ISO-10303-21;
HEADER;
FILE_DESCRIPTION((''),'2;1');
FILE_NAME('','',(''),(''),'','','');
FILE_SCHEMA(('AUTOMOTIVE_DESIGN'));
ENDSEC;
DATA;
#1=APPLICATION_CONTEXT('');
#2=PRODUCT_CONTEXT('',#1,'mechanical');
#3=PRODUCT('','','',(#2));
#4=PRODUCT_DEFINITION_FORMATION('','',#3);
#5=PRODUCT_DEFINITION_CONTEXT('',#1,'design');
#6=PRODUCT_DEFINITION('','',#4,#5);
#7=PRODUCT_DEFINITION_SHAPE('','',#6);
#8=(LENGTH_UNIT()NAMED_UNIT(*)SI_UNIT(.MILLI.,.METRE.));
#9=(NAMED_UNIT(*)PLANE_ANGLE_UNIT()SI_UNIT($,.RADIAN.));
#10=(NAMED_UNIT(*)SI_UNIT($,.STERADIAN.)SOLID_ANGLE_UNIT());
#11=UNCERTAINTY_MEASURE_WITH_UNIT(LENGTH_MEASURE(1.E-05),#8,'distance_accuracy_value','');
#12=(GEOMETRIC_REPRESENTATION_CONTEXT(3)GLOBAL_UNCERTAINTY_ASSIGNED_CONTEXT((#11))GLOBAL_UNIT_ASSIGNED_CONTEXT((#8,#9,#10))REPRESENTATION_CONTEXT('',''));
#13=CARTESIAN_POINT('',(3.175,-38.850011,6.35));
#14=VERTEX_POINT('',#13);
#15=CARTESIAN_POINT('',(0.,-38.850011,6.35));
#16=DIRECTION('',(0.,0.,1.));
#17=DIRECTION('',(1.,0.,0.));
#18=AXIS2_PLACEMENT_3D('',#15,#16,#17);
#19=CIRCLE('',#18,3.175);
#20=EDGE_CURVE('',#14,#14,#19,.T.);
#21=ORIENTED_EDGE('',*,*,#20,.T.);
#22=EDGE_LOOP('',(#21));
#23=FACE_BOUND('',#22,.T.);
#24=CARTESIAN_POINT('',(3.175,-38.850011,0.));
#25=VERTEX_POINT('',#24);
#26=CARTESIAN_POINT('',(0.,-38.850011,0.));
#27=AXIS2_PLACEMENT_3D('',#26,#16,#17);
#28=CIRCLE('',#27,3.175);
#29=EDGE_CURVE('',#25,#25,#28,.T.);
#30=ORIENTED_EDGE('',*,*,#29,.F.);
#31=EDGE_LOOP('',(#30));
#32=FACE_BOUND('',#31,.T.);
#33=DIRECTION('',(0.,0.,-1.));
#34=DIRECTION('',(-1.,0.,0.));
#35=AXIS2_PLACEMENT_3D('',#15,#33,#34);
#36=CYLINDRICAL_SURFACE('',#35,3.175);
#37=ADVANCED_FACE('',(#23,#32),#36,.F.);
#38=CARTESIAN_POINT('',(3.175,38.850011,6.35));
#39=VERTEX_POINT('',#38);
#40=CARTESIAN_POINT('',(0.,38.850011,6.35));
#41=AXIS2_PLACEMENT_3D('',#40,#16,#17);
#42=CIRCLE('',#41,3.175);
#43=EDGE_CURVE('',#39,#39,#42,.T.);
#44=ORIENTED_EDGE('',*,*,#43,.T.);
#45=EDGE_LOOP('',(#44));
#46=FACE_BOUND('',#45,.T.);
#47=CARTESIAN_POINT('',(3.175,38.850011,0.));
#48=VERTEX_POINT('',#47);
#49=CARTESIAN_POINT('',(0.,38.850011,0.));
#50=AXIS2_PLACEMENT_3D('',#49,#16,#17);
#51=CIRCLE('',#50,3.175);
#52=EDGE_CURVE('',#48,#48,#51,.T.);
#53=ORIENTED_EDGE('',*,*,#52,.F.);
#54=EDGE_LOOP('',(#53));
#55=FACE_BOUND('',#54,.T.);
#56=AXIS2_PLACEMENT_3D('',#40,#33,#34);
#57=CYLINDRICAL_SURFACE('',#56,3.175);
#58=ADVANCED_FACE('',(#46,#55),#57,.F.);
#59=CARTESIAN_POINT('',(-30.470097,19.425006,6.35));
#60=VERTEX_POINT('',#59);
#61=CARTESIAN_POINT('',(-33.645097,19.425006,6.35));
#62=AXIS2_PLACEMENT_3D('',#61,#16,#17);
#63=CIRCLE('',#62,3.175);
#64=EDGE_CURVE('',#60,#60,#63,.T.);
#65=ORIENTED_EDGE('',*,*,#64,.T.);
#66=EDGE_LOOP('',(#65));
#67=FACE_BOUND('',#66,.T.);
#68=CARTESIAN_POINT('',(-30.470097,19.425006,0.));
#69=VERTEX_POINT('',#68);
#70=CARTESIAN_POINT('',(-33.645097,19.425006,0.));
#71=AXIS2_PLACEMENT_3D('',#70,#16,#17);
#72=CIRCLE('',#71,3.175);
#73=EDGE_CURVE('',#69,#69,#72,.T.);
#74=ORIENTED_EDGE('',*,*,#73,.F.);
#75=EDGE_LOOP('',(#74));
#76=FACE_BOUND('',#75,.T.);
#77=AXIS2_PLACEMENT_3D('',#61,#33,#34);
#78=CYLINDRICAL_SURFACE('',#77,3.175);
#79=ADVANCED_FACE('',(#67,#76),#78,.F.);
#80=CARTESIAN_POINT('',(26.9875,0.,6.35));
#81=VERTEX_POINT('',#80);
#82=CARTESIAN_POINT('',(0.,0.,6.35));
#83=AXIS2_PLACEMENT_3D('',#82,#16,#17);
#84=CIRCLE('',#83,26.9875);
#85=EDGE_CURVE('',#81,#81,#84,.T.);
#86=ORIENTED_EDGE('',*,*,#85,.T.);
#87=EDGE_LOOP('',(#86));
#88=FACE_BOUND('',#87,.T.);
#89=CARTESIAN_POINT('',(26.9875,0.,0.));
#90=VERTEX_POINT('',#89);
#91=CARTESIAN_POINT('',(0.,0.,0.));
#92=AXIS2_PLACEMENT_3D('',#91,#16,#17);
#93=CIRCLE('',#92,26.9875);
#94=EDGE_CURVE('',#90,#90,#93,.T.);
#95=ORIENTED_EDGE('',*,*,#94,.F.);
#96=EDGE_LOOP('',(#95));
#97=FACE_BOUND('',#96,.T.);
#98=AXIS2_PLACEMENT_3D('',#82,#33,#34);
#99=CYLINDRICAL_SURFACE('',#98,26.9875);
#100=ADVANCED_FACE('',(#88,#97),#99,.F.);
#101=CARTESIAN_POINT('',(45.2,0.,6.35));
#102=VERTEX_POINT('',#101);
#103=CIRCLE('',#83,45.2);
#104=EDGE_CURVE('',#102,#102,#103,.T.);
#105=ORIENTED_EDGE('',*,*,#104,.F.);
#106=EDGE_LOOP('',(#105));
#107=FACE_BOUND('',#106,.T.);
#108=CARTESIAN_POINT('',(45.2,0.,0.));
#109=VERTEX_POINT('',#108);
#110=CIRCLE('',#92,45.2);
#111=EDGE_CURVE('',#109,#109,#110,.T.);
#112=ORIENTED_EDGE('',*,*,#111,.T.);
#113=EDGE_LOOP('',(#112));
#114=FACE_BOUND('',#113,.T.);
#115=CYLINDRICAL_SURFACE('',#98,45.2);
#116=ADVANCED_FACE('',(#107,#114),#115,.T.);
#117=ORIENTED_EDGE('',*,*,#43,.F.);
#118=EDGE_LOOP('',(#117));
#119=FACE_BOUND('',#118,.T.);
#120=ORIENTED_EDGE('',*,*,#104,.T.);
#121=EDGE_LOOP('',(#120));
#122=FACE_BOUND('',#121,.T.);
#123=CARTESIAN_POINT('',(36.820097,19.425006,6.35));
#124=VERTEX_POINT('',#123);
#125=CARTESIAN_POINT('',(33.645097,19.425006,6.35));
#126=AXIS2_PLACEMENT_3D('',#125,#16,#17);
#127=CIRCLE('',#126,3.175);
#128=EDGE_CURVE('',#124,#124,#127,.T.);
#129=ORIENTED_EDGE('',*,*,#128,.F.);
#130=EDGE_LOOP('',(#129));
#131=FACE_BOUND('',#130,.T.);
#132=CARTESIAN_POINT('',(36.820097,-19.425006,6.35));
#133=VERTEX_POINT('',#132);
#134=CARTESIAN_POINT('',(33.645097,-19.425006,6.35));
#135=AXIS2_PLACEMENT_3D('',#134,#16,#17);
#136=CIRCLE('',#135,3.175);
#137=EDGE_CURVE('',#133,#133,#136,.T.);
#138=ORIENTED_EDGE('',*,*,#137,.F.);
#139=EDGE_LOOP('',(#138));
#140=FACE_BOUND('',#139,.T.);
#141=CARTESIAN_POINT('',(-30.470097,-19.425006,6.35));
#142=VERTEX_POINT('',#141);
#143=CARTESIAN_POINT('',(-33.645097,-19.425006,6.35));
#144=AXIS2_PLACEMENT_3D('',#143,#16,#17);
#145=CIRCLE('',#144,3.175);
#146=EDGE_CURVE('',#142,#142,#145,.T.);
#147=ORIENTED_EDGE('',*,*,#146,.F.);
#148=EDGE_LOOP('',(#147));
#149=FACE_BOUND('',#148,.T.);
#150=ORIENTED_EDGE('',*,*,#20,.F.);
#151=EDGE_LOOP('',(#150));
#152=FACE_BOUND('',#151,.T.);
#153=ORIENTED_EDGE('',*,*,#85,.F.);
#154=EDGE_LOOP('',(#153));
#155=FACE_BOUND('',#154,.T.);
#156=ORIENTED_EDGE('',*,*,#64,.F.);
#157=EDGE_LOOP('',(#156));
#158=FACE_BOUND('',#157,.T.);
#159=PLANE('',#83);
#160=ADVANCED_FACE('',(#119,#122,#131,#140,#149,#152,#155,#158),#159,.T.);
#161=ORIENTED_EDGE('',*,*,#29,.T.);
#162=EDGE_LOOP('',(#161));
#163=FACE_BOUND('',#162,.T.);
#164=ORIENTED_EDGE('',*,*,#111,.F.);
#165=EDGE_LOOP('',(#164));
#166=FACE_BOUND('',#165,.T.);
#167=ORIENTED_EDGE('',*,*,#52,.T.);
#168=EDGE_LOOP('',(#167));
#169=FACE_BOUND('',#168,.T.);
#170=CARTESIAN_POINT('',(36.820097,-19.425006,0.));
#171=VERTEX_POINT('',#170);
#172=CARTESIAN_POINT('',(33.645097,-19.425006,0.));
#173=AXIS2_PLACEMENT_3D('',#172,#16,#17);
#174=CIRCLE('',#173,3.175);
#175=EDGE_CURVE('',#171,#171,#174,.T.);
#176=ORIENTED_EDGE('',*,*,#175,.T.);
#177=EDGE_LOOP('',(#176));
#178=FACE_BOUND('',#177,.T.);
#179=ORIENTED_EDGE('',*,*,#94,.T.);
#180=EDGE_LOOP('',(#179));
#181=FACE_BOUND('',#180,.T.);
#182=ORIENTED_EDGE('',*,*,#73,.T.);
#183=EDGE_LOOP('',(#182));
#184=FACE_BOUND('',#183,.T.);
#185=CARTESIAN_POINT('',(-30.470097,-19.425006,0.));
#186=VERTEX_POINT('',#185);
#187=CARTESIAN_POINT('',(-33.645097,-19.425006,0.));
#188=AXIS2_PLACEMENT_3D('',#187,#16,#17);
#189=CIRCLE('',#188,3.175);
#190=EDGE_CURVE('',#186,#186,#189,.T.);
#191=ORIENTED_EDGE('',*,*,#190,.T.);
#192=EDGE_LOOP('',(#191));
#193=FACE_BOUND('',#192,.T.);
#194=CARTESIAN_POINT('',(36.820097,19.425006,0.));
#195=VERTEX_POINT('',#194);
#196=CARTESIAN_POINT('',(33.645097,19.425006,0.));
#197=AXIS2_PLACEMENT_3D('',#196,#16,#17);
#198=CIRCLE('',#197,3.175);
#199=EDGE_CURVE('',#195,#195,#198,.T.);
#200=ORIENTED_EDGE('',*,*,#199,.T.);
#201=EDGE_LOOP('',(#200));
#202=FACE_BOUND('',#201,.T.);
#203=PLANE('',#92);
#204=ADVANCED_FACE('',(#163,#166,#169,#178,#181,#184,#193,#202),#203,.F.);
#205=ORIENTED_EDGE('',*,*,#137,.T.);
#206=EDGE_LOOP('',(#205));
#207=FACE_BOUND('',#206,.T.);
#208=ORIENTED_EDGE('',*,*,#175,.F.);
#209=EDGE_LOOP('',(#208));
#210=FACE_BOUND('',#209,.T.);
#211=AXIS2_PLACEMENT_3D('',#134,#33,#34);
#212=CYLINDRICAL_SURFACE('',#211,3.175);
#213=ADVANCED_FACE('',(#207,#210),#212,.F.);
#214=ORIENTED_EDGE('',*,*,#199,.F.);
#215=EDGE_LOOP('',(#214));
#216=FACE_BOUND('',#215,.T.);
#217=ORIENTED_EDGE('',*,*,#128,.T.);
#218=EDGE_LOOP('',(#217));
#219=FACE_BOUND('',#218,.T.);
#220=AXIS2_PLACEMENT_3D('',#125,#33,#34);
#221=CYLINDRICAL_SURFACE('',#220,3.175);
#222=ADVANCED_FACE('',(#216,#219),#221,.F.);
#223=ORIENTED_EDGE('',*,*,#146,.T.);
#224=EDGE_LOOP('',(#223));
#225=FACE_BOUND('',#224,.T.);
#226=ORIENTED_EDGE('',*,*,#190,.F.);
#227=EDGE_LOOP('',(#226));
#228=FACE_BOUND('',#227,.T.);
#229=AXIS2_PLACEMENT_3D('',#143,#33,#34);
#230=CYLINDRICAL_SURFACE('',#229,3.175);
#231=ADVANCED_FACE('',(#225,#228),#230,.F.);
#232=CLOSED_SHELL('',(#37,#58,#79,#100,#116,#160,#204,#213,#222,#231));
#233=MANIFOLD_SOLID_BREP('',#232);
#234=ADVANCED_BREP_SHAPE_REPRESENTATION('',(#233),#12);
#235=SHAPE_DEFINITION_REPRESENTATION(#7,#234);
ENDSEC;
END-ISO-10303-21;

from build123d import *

# Parameters (mm, degrees)
SKETCH1_R           = 45.2
SKETCH1_R_2         = 26.9875
SKETCH1_R_3         = 3.175
BOSS_EXTRUDE1_DEPTH = 6.35


with BuildPart() as part:
    # Sketch1 → Boss-Extrude1 (new body)
    with BuildSketch(Plane.XY):
        Circle(SKETCH1_R)
        Circle(SKETCH1_R_2, mode=Mode.SUBTRACT)
        with Locations((0, 38.8500112)):
            Circle(SKETCH1_R_3, mode=Mode.SUBTRACT)
        with Locations((33.645096637, 19.4250056)):
            Circle(SKETCH1_R_3, mode=Mode.SUBTRACT)
        with Locations((33.645096637, -19.4250056)):
            Circle(SKETCH1_R_3, mode=Mode.SUBTRACT)
        with Locations((0, -38.8500112)):
            Circle(SKETCH1_R_3, mode=Mode.SUBTRACT)
        with Locations((-33.645096637, -19.4250056)):
            Circle(SKETCH1_R_3, mode=Mode.SUBTRACT)
        with Locations((-33.645096637, 19.4250056)):
            Circle(SKETCH1_R_3, mode=Mode.SUBTRACT)
    extrude(amount=BOSS_EXTRUDE1_DEPTH)


solid = part.part
